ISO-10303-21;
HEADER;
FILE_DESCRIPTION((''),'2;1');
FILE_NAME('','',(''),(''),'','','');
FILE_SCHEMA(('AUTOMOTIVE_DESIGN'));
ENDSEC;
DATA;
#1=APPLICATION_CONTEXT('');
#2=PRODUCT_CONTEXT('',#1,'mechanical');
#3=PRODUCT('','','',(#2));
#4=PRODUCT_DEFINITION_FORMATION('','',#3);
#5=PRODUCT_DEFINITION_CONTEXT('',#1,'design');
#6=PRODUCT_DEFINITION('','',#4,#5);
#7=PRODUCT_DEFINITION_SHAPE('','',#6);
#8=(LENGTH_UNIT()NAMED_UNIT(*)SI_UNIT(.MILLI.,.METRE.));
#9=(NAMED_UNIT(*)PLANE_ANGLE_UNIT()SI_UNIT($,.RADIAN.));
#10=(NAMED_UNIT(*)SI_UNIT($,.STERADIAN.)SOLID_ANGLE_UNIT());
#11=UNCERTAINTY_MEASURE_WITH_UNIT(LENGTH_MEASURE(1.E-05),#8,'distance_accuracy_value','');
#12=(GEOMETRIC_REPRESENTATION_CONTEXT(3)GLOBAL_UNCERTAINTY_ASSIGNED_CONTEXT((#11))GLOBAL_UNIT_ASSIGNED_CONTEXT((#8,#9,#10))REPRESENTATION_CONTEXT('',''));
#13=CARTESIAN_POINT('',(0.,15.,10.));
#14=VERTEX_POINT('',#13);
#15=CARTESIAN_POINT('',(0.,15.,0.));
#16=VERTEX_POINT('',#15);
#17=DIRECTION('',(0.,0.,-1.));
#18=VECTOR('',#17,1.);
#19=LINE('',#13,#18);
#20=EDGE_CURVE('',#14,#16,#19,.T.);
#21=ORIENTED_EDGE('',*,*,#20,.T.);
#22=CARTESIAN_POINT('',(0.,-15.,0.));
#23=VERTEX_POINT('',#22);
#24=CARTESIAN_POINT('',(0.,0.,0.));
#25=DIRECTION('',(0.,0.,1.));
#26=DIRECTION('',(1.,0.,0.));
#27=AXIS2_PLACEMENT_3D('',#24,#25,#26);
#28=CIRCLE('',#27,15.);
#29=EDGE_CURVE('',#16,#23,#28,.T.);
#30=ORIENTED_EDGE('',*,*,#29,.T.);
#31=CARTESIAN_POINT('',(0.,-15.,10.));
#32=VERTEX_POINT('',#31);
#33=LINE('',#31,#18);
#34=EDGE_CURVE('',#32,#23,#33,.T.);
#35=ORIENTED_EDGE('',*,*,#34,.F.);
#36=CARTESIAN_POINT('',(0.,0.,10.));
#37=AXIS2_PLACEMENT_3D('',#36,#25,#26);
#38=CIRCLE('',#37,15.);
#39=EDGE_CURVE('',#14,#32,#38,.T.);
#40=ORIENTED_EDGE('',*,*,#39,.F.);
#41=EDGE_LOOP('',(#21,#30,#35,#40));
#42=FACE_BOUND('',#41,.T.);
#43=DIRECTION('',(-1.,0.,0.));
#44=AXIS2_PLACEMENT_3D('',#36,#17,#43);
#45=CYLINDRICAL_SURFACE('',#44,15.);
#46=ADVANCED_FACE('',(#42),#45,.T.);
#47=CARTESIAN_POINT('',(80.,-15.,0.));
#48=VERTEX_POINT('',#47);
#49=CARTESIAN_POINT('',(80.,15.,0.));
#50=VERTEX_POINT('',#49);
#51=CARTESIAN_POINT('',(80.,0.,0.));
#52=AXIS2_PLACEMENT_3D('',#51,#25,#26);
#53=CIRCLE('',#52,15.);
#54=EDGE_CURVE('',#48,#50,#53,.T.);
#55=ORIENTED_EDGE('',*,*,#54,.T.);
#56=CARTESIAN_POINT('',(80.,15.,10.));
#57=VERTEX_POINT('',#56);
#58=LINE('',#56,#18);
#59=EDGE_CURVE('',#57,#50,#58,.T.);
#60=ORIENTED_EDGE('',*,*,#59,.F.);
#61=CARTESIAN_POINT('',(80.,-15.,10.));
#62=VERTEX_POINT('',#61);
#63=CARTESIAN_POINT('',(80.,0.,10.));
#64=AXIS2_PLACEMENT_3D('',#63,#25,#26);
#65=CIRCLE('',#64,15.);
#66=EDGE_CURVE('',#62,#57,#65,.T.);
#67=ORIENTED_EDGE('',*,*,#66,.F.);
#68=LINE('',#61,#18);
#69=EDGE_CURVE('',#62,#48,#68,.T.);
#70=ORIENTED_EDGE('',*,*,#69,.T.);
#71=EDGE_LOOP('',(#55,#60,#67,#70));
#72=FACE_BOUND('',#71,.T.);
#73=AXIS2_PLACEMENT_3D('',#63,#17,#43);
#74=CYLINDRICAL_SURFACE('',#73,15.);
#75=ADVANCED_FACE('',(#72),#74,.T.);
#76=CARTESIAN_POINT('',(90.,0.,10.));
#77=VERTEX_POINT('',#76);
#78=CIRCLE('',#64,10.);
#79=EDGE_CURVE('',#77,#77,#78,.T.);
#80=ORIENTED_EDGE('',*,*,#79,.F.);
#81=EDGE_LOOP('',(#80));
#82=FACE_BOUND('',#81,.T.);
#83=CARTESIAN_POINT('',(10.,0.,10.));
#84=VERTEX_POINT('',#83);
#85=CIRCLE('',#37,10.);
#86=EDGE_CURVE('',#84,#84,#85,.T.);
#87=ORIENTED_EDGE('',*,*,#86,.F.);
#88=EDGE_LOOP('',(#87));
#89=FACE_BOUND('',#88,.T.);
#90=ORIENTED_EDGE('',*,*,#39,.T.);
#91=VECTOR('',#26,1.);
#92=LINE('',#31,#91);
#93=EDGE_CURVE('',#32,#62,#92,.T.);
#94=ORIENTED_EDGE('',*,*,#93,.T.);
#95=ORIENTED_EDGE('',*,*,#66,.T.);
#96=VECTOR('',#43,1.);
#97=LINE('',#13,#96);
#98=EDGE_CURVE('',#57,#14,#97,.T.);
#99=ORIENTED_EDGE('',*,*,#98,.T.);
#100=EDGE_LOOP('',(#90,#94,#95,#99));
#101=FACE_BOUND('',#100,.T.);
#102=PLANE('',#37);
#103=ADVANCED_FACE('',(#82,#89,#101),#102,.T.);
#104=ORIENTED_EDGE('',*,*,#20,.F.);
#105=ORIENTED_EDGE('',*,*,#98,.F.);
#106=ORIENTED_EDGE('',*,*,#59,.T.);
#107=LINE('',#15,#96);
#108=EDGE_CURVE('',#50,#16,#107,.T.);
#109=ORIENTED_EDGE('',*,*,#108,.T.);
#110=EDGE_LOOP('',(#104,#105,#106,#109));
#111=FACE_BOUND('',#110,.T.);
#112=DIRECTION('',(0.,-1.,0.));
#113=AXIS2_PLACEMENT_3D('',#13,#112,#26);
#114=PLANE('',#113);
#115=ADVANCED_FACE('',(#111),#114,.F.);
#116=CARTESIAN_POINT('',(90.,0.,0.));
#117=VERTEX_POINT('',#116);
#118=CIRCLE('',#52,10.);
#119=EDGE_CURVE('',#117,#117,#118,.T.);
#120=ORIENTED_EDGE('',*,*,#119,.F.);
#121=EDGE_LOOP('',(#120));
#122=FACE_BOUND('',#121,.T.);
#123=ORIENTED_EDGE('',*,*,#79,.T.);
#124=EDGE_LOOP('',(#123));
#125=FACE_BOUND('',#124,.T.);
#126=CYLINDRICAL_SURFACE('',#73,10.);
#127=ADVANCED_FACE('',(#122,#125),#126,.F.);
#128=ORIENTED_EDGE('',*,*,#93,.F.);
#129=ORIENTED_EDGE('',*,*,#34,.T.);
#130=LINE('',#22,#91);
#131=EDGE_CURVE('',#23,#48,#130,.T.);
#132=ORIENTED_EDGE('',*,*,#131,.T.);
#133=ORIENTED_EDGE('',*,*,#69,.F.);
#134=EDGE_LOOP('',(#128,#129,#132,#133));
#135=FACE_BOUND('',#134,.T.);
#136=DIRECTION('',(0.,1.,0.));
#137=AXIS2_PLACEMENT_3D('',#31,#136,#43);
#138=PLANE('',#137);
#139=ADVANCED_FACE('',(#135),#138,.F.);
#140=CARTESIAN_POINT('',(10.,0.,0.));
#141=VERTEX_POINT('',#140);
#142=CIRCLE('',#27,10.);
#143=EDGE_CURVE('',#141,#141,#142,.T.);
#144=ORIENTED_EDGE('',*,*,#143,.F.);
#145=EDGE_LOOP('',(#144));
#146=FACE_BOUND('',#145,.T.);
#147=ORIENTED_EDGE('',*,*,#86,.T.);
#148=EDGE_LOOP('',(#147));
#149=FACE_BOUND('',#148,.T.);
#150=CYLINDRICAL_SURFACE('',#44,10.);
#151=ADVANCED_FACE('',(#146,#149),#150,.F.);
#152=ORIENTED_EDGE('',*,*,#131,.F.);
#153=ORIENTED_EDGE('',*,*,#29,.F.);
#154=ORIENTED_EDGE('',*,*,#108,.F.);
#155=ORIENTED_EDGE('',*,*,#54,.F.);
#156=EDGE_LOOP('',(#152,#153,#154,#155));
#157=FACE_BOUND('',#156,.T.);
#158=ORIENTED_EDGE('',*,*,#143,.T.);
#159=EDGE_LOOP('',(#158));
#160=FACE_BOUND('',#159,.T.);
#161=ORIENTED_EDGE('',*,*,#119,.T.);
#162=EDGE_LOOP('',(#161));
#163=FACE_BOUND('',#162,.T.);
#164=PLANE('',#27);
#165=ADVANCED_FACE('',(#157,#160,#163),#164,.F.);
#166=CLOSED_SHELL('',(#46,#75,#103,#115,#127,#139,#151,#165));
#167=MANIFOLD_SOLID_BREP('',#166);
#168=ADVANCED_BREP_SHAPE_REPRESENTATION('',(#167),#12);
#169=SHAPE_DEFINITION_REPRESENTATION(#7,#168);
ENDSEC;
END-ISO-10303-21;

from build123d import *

# Parameters (mm, degrees)
SKETCH_1_R      = 10
EXTRUDE_1_DEPTH = 10


with BuildPart() as part:
    # 草图1 → 凸台-拉伸1 (new body)
    with BuildSketch(Plane.XY):
        with BuildLine():
            Line((0, 15), (80, 15))
            ThreePointArc((80, 15), (95, 0), (80, -15))
            Line((80, -15), (0, -15))
            ThreePointArc((0, -15), (-15, 0), (0, 15))
        make_face()
        Circle(SKETCH_1_R, mode=Mode.SUBTRACT)
        with Locations((80, 0)):
            Circle(SKETCH_1_R, mode=Mode.SUBTRACT)
    extrude(amount=EXTRUDE_1_DEPTH)


solid = part.part
